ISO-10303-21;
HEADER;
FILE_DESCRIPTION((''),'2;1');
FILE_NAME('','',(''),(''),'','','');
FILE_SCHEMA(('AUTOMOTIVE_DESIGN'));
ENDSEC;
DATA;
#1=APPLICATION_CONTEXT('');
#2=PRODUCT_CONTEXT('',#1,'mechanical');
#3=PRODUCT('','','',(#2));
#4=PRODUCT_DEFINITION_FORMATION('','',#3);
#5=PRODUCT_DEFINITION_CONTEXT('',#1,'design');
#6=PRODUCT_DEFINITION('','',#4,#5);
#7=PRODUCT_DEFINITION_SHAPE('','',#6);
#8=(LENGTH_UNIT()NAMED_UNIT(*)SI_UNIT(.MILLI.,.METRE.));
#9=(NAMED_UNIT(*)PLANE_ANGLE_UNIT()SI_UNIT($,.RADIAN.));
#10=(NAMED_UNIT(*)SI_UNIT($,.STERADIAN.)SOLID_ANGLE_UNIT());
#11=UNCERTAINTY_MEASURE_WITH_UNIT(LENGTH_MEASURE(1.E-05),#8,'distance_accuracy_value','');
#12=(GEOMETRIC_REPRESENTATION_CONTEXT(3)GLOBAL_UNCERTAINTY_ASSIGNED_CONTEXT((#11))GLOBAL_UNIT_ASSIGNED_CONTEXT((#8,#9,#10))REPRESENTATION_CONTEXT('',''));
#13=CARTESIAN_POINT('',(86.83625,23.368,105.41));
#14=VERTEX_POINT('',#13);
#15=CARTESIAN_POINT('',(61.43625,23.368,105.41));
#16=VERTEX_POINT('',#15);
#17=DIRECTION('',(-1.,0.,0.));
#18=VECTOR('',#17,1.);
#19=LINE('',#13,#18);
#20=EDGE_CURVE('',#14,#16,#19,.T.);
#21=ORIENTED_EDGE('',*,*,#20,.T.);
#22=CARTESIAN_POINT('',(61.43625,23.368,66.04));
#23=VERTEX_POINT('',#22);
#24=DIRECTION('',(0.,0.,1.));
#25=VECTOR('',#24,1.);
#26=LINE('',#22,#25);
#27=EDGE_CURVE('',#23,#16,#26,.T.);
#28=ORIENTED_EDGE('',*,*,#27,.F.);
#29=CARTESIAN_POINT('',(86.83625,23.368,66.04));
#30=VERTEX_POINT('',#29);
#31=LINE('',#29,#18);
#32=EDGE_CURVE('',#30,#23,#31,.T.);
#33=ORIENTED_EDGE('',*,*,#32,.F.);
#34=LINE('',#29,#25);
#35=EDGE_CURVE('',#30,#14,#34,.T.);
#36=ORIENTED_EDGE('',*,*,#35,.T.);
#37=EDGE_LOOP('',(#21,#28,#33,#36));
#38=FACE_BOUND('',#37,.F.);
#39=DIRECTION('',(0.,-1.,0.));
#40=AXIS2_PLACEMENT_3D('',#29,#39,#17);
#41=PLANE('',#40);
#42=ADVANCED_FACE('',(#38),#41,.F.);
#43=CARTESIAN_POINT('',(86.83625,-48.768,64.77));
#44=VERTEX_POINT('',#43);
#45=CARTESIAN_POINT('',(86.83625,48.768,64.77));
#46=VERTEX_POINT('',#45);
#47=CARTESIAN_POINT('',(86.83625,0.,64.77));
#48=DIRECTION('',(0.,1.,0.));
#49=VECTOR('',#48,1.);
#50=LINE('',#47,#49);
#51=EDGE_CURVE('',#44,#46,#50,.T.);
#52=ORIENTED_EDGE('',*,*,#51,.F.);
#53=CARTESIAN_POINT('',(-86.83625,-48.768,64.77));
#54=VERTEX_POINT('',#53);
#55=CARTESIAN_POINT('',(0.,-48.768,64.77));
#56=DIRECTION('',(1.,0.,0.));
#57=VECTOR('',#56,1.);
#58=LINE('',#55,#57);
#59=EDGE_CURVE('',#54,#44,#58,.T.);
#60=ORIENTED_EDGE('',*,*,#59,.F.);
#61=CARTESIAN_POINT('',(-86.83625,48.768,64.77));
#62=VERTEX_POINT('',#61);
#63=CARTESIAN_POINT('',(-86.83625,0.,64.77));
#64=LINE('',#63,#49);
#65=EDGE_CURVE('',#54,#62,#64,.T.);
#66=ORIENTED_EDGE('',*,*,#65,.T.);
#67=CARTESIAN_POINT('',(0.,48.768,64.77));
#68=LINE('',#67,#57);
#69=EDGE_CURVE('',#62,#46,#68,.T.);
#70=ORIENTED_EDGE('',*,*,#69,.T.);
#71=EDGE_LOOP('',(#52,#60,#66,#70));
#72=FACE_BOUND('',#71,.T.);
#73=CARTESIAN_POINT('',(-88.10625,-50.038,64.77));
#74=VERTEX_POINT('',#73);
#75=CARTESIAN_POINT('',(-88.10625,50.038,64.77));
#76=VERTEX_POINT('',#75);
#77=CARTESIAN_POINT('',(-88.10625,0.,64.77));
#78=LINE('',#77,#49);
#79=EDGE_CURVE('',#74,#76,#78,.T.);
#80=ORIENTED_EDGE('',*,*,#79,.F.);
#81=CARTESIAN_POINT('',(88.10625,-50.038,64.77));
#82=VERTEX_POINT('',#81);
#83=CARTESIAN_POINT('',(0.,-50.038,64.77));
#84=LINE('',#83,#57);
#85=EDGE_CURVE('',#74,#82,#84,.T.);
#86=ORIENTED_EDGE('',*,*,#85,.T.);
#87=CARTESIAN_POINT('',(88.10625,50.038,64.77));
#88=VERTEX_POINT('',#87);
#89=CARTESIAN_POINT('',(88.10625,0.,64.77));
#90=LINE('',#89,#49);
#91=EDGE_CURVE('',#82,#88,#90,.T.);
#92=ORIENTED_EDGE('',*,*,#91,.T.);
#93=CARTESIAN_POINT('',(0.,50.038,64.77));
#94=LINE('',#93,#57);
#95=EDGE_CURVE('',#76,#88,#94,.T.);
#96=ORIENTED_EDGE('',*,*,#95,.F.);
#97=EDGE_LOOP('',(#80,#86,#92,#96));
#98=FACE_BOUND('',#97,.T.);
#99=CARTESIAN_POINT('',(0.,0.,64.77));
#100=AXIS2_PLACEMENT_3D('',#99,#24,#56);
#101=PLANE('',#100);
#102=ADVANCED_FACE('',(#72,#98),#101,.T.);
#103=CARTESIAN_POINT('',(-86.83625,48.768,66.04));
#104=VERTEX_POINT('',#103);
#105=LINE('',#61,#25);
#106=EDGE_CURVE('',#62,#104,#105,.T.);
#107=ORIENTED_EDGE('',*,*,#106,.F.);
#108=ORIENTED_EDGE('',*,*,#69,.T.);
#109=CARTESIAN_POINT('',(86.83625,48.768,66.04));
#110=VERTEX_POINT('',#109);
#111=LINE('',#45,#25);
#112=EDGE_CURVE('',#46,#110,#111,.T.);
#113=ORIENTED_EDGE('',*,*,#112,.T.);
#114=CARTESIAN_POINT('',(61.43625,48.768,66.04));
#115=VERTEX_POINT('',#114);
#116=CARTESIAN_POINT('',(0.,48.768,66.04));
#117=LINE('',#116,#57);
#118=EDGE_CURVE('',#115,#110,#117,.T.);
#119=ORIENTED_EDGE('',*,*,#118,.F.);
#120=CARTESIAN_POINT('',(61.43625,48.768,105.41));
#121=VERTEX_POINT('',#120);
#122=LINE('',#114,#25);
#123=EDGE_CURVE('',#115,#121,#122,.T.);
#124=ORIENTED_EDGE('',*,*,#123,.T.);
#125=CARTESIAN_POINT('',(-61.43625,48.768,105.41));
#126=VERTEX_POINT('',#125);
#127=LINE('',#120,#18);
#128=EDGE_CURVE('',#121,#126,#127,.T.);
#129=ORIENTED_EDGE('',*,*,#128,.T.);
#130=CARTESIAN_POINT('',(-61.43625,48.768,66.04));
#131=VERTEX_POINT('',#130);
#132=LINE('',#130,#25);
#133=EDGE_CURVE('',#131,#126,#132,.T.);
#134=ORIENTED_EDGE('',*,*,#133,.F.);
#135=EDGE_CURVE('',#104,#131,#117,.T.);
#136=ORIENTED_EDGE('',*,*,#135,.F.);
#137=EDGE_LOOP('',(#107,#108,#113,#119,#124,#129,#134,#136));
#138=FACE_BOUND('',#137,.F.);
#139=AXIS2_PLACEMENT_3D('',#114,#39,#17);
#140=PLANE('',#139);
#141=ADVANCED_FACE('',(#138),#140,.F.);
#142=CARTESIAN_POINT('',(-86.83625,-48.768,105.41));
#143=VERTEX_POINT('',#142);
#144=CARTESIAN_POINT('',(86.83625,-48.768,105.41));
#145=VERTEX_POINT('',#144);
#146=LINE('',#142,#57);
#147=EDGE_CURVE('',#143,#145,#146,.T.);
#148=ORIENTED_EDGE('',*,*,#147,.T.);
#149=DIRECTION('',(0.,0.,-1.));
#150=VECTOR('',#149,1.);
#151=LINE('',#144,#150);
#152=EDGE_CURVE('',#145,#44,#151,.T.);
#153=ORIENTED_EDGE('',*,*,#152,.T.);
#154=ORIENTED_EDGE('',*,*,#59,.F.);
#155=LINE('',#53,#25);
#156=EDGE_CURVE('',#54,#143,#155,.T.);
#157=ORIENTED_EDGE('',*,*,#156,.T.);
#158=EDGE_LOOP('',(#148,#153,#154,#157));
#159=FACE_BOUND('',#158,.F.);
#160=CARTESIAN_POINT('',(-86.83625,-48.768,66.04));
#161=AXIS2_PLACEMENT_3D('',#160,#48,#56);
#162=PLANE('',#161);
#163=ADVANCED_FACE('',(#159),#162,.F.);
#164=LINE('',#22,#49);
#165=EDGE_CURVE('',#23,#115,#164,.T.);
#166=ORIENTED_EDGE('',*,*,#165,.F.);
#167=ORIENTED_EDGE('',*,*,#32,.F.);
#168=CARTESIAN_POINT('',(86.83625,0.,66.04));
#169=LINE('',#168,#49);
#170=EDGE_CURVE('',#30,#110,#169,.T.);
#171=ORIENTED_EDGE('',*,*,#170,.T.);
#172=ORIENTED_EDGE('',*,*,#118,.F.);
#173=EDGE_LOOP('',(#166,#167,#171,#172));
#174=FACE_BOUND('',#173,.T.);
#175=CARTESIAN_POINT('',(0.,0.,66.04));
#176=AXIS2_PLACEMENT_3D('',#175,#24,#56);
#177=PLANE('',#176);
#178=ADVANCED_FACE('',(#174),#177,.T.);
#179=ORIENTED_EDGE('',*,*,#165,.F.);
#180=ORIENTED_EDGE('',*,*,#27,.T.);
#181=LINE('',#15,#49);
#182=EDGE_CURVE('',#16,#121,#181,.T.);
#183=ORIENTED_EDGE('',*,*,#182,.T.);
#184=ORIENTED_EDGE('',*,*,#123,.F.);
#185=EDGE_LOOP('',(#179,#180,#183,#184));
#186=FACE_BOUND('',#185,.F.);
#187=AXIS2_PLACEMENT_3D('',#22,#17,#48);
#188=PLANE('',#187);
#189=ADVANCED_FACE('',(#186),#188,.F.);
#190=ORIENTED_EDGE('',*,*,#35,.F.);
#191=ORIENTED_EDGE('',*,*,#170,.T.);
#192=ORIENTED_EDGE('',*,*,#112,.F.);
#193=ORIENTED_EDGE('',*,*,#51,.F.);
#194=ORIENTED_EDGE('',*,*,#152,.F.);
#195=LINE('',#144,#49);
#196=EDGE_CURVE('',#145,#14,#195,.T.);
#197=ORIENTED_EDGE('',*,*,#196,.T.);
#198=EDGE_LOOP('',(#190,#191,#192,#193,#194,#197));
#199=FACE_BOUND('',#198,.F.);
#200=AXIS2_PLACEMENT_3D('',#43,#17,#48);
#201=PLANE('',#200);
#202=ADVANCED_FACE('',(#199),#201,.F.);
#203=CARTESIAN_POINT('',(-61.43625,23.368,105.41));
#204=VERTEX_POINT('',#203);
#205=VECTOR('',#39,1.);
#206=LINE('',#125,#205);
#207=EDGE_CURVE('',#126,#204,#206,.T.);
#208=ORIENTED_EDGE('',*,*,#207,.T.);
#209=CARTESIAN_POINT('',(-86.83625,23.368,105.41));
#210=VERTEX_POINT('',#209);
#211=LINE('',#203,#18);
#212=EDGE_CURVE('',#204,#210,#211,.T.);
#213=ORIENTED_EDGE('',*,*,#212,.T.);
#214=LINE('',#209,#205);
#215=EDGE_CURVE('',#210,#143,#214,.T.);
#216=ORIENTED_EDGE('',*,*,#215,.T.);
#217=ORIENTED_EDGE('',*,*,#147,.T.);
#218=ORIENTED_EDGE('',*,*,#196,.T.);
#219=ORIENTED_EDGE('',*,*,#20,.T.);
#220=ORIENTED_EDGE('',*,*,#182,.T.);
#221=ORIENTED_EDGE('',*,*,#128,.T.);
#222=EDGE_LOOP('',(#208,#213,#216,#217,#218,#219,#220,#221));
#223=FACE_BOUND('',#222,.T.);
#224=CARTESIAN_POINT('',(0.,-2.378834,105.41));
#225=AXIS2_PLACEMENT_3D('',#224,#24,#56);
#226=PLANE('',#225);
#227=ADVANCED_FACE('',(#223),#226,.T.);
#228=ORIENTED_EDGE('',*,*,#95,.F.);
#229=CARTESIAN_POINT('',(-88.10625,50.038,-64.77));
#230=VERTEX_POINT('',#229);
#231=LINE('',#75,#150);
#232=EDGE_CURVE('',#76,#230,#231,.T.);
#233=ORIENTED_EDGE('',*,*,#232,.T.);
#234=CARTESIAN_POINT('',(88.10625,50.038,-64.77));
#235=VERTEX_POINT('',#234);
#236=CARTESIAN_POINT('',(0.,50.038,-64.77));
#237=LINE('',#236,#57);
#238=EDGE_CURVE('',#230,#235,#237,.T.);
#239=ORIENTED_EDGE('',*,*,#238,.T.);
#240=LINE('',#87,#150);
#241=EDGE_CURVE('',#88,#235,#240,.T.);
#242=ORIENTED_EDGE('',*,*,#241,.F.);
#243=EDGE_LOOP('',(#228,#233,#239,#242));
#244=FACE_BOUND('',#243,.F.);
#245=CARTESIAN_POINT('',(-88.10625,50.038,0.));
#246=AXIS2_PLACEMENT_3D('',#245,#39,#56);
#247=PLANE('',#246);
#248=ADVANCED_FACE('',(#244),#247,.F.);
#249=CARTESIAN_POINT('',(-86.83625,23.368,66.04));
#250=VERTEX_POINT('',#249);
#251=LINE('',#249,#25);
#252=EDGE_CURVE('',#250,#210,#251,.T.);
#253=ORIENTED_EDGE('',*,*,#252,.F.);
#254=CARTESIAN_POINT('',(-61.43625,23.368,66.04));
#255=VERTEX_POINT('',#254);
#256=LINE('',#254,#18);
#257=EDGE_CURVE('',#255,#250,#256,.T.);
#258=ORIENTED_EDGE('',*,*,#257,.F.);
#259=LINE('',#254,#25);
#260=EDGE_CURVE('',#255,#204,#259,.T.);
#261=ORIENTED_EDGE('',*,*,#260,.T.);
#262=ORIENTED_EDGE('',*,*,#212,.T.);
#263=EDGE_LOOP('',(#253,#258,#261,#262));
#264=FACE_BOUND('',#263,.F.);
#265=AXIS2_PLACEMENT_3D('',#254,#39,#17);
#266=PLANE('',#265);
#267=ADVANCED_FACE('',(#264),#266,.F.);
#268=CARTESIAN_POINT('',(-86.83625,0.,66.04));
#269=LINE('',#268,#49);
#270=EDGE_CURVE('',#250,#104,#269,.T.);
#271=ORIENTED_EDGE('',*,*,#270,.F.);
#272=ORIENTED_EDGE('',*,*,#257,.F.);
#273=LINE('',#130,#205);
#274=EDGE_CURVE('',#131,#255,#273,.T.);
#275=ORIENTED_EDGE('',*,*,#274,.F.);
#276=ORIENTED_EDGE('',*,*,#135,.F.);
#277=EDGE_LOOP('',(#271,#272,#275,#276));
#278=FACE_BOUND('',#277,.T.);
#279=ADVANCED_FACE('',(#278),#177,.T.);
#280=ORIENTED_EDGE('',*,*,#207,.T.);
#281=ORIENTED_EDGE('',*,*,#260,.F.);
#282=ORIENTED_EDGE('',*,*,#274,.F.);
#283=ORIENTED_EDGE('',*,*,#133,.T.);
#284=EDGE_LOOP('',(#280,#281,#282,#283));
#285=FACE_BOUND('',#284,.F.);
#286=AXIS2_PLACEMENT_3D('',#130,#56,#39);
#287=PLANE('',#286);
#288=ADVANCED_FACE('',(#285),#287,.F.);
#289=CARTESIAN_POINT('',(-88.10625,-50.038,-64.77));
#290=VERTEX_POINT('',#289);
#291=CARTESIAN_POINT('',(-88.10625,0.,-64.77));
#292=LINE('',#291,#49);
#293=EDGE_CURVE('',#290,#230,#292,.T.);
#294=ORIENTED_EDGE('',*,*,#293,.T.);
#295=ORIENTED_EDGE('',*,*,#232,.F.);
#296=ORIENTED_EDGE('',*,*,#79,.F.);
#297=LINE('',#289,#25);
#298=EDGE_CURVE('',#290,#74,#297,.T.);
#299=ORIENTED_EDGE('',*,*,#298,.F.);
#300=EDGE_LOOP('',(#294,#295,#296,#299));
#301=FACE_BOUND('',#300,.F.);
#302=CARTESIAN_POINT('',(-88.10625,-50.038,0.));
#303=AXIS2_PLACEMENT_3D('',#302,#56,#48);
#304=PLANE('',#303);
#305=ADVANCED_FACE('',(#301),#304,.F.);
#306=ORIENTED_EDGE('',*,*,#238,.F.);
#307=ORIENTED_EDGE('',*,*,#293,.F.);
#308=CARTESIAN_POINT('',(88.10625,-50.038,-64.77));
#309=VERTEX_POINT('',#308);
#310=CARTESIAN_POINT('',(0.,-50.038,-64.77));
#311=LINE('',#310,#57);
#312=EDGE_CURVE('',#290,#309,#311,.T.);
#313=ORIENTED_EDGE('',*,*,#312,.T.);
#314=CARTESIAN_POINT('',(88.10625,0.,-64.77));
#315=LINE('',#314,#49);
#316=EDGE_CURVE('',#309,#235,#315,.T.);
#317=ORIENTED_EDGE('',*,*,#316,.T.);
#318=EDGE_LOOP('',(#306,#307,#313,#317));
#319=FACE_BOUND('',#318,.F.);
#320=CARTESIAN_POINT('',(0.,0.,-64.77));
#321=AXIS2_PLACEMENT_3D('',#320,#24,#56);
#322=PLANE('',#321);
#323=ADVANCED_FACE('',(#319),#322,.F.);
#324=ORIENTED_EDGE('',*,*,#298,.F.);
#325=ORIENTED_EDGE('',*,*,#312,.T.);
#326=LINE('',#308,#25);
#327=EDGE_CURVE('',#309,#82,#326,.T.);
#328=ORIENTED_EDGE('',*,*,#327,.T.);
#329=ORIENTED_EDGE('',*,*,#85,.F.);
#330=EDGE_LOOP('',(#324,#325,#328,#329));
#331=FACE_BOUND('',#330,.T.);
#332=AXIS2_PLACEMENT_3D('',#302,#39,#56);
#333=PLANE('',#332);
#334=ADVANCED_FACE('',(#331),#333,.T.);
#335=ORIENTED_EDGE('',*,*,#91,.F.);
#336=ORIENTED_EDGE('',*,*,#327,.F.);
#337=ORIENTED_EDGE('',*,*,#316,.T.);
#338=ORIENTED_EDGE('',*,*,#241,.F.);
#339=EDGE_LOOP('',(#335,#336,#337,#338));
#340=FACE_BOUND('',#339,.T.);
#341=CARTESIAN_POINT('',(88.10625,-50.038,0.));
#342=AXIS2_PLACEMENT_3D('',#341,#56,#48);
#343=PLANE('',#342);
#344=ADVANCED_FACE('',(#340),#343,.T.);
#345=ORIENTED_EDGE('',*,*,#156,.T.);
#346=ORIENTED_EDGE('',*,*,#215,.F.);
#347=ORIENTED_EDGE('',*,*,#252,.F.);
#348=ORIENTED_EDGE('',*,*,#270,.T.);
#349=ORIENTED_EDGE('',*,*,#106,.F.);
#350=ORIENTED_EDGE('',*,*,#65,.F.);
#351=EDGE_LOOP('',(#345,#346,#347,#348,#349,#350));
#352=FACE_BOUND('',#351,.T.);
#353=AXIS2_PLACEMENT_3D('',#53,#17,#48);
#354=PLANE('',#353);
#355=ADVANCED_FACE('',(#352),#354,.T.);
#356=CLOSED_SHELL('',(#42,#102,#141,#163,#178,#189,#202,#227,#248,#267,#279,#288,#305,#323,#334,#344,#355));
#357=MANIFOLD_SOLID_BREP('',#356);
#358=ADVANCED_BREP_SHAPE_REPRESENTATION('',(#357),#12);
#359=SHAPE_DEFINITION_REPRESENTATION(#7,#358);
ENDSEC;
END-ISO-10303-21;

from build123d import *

# Parameters (mm, degrees)
F0_W     = 176.2125
F0_H     = 100.076
F1_DEPTH = 64.77
F2_W     = 173.6725
F2_H     = 97.536
F3_DEPTH = 1.27
F5_DEPTH = 39.37


with BuildPart() as f1:
    # F0 (on Top) → F1 (new body, symmetric)
    with BuildSketch(Plane.XY):
        Rectangle(F0_W, F0_H)
    extrude(amount=F1_DEPTH, both=True)

    # F2 (on face) → F3 (join)
    with BuildSketch(Plane.XY.offset(64.77)):
        Rectangle(F2_W, F2_H)
    extrude(amount=F3_DEPTH)

    # F4 (on face) → F5 (join)
    with BuildSketch(Plane.XY.offset(66.04)):
        Polygon((61.43625, 48.768), (-61.43625, 48.768), (-61.43625, 23.368), (-86.83625, 23.368), (-86.83625, -48.768), (86.83625, -48.768), (86.83625, 23.368), (61.43625, 23.368), align=None)
    extrude(amount=F5_DEPTH)


solid = f1.part
